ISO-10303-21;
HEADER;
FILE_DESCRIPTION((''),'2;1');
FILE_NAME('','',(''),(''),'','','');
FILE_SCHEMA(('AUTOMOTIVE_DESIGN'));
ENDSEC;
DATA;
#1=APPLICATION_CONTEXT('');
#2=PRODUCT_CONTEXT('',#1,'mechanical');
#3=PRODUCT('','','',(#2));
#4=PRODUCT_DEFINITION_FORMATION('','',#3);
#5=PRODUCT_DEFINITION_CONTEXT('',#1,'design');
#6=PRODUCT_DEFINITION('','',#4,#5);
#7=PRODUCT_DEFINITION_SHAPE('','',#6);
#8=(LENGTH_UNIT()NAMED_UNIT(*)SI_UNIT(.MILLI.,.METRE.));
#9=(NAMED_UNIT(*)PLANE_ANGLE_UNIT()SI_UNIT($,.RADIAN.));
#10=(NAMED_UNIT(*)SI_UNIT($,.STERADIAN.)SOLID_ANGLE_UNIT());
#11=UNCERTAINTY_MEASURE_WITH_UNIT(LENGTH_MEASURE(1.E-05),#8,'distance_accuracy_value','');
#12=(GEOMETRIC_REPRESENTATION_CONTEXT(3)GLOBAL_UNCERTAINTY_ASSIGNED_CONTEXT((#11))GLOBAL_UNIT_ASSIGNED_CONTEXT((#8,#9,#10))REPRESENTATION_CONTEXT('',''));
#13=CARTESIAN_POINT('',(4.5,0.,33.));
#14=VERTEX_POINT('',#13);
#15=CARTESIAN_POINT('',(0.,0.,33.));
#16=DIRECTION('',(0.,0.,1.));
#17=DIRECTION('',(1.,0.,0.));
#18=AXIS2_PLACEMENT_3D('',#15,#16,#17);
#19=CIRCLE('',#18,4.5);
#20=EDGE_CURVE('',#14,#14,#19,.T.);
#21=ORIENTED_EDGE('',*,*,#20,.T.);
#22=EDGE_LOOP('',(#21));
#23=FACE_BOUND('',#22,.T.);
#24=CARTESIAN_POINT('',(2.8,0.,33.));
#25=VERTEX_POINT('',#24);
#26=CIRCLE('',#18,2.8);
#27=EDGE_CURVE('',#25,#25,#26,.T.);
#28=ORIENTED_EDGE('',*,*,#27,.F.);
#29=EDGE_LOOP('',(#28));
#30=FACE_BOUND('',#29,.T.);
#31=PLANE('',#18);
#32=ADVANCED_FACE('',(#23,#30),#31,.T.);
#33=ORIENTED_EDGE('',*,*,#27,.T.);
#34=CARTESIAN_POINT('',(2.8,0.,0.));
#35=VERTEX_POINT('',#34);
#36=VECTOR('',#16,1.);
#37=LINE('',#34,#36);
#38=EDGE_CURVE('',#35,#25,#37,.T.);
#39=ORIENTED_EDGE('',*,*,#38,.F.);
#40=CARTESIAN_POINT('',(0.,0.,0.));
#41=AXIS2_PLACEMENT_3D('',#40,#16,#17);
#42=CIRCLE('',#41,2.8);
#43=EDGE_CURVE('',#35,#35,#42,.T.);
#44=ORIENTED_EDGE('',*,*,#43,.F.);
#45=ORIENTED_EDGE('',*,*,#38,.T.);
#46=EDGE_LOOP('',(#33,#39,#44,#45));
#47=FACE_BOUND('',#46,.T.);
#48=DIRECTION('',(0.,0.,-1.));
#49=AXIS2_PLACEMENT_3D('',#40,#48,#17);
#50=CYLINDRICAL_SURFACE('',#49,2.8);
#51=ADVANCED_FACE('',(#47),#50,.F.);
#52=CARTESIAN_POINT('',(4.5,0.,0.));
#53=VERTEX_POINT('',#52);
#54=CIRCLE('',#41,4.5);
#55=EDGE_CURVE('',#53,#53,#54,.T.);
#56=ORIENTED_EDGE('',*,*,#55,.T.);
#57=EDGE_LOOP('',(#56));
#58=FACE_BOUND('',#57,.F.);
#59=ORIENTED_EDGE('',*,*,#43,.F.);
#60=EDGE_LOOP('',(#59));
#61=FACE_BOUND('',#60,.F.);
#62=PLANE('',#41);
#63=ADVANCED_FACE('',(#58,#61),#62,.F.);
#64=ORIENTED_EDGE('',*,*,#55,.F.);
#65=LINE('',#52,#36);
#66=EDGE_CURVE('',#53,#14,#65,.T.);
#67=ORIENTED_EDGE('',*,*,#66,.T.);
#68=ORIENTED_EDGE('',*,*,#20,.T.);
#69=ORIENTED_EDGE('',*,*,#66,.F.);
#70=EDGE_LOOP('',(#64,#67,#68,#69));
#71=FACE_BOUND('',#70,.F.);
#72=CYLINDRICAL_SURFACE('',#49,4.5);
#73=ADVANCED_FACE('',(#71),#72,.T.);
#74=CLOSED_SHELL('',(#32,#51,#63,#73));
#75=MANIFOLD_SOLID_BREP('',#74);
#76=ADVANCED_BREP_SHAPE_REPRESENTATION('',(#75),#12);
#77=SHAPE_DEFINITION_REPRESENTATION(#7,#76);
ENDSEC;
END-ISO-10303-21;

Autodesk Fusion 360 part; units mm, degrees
sketch "Skizze1" plane through (0, 0, 0) normal (0, 0, 1) x (1, 0, 0)
  circle A0 centre (0, 0) radius 2.8
  circle A1 centre (0, 0) radius 4.5
  dimension "d1" = 5.6
  dimension "d2" = 9
extrude "Extrusion1" add sketch "Skizze1" along normal blind 33
